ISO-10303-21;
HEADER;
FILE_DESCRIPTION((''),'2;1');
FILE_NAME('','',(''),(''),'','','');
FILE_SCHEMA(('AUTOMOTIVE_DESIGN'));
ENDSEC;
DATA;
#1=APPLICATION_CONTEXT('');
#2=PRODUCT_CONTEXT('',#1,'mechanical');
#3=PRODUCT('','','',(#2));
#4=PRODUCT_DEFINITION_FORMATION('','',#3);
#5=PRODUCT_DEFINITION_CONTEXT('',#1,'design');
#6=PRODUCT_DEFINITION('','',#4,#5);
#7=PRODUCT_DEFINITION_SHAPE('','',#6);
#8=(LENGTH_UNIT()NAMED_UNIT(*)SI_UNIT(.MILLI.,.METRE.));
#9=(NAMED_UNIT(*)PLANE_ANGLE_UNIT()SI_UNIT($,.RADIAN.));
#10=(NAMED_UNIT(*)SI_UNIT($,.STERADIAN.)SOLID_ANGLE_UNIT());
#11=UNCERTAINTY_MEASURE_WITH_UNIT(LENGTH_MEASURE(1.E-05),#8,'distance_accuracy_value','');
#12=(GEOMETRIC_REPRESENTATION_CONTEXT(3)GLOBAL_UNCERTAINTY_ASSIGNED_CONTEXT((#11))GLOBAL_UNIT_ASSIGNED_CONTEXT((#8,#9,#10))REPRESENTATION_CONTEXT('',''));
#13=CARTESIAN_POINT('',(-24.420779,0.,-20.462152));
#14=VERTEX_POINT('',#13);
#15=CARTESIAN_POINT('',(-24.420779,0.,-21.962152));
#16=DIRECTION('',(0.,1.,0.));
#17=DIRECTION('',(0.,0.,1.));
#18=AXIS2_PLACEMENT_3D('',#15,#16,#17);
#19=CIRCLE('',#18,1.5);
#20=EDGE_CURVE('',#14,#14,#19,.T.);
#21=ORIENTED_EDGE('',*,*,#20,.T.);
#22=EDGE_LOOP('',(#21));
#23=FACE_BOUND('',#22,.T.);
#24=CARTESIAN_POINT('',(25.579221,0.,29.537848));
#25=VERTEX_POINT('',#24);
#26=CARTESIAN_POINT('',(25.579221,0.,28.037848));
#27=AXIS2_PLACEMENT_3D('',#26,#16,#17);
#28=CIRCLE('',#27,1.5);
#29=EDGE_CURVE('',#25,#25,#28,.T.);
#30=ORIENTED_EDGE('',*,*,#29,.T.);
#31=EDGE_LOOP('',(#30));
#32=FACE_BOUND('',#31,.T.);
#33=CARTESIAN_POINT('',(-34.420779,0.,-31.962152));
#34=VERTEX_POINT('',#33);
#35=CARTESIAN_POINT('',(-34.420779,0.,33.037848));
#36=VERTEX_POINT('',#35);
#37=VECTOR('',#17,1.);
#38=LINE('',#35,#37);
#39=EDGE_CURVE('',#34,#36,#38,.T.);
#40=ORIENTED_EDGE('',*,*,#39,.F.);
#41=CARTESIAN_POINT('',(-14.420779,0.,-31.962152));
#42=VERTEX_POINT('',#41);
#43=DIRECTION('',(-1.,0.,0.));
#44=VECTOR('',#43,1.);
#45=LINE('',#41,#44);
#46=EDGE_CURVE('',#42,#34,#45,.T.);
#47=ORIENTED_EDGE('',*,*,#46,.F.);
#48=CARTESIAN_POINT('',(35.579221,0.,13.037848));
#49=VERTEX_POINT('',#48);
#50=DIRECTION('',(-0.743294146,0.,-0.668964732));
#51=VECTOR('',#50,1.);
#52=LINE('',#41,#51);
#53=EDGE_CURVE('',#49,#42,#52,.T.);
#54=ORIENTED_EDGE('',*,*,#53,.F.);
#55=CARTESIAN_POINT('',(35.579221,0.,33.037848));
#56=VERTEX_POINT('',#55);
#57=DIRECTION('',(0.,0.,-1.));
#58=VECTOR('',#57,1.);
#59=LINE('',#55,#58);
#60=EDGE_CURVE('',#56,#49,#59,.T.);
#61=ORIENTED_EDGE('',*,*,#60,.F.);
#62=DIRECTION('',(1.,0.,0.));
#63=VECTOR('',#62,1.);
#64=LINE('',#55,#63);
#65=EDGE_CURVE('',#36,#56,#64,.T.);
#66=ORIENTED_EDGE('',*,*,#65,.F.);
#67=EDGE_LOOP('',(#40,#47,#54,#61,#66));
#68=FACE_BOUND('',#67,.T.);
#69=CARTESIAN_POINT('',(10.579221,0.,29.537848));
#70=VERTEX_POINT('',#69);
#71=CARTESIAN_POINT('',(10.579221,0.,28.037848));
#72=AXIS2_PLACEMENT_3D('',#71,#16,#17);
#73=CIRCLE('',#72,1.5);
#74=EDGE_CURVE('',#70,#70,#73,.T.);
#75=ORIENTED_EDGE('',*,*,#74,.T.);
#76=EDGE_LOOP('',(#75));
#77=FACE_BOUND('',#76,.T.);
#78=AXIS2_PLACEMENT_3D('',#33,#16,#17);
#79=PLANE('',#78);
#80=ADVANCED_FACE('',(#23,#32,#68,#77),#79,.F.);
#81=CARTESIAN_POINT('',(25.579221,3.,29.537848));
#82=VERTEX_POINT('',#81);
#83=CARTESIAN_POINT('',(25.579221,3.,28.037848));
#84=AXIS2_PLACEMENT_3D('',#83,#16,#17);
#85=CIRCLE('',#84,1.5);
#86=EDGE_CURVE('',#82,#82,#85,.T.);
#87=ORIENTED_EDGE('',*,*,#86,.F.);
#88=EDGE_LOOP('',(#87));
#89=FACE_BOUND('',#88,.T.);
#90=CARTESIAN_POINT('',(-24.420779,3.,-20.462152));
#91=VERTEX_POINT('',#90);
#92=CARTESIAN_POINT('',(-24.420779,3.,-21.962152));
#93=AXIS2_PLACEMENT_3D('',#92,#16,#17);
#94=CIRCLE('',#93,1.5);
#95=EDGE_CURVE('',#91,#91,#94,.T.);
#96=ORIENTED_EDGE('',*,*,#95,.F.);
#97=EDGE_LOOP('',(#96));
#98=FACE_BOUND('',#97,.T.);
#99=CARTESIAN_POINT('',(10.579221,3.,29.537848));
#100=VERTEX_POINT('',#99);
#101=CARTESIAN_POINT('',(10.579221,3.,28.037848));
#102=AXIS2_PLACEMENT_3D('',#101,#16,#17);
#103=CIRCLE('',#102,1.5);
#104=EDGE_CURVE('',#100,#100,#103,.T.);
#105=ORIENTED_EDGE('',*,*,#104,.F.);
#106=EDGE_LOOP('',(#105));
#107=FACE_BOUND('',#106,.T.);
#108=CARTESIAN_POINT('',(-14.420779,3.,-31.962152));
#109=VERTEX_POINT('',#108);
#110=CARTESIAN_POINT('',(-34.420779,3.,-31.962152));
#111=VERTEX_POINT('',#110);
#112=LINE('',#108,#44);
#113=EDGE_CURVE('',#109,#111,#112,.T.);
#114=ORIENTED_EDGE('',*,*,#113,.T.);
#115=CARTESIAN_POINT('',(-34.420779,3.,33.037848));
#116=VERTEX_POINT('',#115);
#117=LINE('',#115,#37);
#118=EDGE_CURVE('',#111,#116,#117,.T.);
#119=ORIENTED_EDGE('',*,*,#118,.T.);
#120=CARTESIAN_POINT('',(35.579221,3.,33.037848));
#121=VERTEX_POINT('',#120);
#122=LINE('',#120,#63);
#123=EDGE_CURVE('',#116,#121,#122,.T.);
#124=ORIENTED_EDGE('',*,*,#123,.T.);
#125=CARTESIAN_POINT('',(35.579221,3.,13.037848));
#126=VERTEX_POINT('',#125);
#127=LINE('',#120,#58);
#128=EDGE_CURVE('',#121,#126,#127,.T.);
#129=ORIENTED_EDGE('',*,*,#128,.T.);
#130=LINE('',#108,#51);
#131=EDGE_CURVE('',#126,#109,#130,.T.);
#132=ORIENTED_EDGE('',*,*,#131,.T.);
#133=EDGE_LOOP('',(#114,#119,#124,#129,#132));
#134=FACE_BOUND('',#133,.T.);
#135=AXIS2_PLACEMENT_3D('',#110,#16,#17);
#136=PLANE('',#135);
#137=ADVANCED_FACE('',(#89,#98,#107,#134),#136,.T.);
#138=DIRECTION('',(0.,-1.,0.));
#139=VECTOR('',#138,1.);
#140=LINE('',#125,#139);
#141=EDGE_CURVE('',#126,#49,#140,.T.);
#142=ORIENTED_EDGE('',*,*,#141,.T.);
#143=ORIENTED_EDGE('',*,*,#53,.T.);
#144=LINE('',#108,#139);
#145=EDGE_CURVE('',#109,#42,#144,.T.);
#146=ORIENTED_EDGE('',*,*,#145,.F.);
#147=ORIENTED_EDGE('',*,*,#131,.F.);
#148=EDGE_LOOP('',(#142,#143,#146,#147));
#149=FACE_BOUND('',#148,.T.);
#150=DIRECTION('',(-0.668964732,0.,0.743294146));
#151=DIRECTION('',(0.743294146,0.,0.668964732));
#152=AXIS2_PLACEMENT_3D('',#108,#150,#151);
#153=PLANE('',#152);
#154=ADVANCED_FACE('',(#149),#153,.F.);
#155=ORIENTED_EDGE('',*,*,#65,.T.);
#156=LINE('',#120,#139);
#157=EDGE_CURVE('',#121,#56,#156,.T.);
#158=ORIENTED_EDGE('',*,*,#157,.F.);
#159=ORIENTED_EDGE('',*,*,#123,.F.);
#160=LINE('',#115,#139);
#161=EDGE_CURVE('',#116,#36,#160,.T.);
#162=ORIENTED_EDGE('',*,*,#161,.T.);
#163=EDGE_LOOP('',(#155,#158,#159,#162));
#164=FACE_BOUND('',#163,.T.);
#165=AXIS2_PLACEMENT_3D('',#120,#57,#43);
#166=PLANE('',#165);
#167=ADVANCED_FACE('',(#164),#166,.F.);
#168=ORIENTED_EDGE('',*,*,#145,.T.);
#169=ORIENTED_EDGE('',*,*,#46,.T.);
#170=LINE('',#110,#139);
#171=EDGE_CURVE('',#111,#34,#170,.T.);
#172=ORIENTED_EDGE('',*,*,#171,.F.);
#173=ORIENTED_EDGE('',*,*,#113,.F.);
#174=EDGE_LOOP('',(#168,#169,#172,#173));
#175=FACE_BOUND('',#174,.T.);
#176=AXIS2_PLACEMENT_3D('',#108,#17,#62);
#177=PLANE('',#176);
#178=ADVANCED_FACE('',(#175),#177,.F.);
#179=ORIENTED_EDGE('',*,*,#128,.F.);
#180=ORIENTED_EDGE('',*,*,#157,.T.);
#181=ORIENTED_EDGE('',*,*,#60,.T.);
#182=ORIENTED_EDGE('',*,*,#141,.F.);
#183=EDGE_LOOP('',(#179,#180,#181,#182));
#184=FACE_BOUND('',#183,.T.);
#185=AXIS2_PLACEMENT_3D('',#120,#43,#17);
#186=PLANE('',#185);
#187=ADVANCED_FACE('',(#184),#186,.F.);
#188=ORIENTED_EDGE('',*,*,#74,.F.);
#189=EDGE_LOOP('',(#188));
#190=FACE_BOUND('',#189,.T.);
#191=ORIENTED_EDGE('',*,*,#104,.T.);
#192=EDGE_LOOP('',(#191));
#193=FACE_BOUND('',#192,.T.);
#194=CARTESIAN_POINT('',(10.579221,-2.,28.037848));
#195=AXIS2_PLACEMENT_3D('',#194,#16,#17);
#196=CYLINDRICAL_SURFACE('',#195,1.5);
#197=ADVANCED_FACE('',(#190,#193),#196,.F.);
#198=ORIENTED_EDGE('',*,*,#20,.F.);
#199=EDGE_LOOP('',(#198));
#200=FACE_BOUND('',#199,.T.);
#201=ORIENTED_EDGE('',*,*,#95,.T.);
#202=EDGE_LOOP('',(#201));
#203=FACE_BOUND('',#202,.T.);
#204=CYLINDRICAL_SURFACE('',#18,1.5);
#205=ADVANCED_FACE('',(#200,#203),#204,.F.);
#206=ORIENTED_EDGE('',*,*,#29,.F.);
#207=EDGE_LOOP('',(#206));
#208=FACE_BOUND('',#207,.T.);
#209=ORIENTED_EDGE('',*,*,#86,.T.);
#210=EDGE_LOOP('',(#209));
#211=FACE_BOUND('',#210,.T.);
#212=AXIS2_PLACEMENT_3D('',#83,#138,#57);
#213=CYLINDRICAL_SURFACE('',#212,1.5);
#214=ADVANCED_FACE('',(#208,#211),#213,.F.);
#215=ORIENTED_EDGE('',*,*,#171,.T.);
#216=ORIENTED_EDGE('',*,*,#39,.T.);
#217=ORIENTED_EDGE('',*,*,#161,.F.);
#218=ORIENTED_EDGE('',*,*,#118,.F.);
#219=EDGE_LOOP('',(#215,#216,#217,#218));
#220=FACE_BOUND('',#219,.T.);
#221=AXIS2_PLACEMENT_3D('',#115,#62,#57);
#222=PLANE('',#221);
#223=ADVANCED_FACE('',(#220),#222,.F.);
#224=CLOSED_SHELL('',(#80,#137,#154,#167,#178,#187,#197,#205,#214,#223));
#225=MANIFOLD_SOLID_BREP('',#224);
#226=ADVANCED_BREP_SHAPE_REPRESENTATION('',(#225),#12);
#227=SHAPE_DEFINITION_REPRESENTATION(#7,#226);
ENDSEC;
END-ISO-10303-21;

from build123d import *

# Parameters (mm, degrees)
SKETCH1_R           = 1.5
BOSS_EXTRUDE1_DEPTH = 3
SKETCH4_R           = 1.5
CUT_EXTRUDE1_DEPTH  = 5
SKETCH5_R           = 1.5
CUT_EXTRUDE2_DEPTH  = 49.645455777


with BuildPart() as part:
    # Sketch1 → Boss-Extrude1 (new body)
    with BuildSketch(Plane(origin=(0, 0, 0), x_dir=(1, 0, 0), z_dir=(0, 1, 0))):
        Polygon((35.579220967, -33.037848041), (-34.420779033, -33.037848041), (-34.420779033, 31.962151959), (-14.420779033, 31.962151959), (35.579220967, -13.037848041), align=None)
        with Locations(Location((25.579220967, -28.037848041, 0), (0, 0, 270))):
            Circle(SKETCH1_R, mode=Mode.SUBTRACT)
    extrude(amount=BOSS_EXTRUDE1_DEPTH)

    # Sketch4 → Cut-Extrude1 (cut)
    with BuildSketch(Plane(origin=(0, 3, 0), x_dir=(-1, 0, 0), z_dir=(0, 1, 0))):
        with Locations(Location((-10.579220967, 28.037848041, 0), (0, 0, 90))):
            Circle(SKETCH4_R)
    extrude(amount=-CUT_EXTRUDE1_DEPTH, mode=Mode.SUBTRACT)

    # Sketch5 → Cut-Extrude2 (cut, through all)
    with BuildSketch(Plane(origin=(0, 3, 0), x_dir=(-1, 0, 0), z_dir=(0, 1, 0))):
        with Locations(Location((24.420779033, -21.962151959, 0), (0, 0, 90))):
            Circle(SKETCH5_R)
    extrude(amount=-CUT_EXTRUDE2_DEPTH, mode=Mode.SUBTRACT)


solid = part.part
